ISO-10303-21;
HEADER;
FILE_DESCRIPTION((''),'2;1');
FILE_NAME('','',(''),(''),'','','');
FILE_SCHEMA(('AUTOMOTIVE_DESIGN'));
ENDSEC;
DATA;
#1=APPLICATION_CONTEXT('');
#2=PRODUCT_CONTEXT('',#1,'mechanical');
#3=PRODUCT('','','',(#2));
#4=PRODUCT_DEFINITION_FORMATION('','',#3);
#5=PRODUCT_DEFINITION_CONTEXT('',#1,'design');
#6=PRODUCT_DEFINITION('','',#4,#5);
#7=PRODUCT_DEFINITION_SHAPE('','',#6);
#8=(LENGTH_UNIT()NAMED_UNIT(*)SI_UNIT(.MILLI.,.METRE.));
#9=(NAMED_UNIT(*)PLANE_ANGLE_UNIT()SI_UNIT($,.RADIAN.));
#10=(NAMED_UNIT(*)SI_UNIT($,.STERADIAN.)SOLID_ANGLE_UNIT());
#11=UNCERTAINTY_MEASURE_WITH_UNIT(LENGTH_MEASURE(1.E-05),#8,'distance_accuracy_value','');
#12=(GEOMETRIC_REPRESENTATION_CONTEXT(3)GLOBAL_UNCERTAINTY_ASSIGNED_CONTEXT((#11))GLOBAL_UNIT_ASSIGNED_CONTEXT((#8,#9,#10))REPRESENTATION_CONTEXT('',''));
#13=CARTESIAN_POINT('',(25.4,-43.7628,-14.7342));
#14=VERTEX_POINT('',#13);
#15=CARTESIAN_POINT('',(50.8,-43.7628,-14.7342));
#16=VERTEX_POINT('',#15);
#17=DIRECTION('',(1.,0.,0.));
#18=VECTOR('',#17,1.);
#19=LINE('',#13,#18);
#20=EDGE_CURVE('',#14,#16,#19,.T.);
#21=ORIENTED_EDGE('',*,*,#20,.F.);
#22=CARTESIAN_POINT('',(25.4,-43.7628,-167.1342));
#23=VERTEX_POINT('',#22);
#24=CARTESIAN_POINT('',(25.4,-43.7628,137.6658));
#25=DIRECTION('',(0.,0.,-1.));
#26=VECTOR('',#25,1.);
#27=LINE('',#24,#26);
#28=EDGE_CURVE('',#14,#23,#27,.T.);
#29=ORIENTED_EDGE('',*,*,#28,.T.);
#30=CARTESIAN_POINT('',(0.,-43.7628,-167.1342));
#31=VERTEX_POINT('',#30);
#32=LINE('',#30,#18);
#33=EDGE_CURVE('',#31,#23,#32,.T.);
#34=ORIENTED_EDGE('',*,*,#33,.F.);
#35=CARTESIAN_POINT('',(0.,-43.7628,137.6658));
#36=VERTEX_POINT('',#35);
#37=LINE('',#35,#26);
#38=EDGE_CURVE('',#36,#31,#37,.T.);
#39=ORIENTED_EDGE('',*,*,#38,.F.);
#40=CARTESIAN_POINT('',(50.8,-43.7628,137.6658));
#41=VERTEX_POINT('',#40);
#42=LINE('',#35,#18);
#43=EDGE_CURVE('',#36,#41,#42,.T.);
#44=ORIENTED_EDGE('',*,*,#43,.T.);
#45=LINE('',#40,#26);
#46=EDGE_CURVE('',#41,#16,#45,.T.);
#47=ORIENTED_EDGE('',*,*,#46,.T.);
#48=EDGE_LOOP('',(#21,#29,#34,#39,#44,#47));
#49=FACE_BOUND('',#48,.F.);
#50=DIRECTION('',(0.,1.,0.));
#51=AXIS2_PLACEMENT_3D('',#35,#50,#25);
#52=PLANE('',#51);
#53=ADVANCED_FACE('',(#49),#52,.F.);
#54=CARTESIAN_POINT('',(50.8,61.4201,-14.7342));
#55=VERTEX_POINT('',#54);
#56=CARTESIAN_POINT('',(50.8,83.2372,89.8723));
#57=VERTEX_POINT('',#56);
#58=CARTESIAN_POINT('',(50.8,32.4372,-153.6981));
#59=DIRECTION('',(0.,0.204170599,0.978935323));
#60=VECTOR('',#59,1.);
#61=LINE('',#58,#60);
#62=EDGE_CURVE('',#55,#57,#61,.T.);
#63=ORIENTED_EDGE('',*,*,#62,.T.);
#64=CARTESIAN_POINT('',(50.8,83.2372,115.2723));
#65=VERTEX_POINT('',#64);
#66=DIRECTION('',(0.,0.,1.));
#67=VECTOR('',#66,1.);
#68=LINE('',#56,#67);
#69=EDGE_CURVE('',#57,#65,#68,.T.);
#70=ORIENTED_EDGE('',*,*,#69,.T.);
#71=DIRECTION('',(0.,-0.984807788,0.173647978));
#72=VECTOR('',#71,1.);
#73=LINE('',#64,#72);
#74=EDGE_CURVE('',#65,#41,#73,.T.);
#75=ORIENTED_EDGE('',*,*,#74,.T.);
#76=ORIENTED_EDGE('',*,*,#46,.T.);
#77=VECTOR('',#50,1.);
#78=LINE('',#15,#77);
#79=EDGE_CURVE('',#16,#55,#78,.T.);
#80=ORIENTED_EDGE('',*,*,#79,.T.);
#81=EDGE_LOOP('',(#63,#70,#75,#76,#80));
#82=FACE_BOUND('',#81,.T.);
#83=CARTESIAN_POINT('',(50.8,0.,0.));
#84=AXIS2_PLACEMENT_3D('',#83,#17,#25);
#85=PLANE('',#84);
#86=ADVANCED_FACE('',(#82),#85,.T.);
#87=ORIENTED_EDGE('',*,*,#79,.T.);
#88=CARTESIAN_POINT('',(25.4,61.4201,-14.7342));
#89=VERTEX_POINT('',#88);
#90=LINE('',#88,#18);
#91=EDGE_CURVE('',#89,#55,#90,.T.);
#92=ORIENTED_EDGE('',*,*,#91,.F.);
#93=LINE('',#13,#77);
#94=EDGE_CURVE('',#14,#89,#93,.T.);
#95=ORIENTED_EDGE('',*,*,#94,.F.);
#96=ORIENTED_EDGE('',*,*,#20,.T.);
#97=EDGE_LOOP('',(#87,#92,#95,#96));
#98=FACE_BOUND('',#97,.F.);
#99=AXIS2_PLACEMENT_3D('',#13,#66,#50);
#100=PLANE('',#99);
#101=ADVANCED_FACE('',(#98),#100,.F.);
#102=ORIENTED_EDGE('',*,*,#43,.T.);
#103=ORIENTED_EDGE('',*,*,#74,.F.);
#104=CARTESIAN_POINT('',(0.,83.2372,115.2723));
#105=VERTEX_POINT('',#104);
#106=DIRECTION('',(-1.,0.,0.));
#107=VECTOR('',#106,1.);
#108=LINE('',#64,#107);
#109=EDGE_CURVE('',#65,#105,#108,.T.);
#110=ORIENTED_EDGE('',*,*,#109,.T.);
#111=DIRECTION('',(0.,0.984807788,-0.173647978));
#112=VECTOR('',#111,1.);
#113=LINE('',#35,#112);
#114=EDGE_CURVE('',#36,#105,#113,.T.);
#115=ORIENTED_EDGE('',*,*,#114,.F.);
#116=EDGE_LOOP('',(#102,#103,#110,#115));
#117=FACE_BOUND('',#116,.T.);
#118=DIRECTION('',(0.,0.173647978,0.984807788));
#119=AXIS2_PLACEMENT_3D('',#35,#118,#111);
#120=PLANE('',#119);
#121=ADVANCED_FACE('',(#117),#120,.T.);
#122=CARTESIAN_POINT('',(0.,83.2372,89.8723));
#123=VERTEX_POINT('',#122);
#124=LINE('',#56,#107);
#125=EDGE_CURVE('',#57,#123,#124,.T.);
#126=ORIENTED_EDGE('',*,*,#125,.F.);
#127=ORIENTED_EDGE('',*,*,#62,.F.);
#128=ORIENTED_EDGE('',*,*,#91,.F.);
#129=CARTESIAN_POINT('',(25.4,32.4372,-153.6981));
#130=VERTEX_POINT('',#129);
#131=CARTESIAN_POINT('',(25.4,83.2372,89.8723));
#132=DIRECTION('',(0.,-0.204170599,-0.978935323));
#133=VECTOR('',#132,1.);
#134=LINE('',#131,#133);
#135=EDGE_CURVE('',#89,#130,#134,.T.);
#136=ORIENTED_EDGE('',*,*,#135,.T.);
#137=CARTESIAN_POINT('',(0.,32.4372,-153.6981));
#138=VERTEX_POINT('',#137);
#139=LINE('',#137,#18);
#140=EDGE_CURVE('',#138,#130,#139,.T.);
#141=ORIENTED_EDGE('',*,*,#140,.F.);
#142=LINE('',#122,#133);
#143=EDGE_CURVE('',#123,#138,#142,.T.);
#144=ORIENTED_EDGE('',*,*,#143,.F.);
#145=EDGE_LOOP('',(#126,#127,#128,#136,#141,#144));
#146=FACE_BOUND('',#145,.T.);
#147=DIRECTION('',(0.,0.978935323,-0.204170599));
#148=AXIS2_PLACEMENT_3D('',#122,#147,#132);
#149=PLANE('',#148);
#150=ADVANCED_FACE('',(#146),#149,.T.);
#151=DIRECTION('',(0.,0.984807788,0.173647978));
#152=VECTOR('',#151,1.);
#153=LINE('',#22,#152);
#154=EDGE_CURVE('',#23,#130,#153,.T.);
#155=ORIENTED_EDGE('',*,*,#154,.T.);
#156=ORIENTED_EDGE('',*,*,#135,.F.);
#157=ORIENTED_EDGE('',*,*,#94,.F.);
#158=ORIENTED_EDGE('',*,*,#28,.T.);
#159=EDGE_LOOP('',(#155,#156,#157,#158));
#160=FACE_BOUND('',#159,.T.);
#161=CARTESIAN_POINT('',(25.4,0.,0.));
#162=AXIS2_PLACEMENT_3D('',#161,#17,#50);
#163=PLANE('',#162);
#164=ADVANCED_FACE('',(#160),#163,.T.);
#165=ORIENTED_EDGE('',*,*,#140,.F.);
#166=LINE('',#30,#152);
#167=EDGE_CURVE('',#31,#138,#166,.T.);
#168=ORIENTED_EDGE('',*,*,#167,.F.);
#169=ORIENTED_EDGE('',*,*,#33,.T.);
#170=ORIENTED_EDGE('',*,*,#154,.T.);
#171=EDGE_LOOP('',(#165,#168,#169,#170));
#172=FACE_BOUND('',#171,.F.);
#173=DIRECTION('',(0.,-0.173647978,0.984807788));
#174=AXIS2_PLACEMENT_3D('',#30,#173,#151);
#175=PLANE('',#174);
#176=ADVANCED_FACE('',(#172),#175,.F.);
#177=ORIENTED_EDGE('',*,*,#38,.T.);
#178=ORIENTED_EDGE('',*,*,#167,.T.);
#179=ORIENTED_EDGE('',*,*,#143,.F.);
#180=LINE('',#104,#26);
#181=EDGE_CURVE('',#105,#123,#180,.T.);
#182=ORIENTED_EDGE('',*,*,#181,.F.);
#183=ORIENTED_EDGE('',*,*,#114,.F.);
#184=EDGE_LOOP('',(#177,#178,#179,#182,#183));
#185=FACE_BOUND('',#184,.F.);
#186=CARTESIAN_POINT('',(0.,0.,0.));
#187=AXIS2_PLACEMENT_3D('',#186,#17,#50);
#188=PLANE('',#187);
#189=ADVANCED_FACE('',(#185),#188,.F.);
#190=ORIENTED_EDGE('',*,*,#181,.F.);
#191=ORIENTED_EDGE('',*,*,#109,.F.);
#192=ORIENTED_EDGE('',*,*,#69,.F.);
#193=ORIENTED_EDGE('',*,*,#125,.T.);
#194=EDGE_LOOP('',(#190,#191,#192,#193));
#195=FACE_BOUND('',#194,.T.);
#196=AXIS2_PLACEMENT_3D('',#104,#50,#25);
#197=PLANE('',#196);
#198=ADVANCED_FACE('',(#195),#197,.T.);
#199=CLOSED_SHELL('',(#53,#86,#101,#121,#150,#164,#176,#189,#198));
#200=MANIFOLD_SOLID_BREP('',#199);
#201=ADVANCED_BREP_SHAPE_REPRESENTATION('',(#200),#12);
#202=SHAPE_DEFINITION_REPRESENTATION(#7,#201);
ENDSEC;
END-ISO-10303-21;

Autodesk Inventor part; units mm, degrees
ref_plane "YZ Plane" through (0, 0, 0) normal (1, 0, 0) x (0, 1, 0)
ref_plane "XZ Plane" through (0, 0, 0) normal (0, 1, 0) x (-1, 0, 0)
ref_plane "XY Plane" through (0, 0, 0) normal (0, 0, 1) x (1, 0, 0)
sketch "Sketch1" plane through (0, 0, 0) normal (1, 0, 0) x (0, 1, 0)
  line L0 (-43.7628, 137.6658) -> (-43.7628, -167.1342)
  line L1 (-43.7628, -167.1342) -> (32.4372, -153.6981)
  line L2 (-43.7628, 137.6658) -> (83.2372, 115.2723)
  line L3 (83.2372, 115.2723) -> (83.2372, 89.8723)
  line L4 (83.2372, 89.8723) -> (32.4372, -153.6981)
  point P0 (0, 0)
  dimension "d0" = 80
  dimension "d1" = 304.8
  dimension "d2" = 76.2
  dimension "d3" = 80
  dimension "d4" = 127
  dimension "d5" = 25.4
extrude "Extrusion1" add sketch "Sketch1" along normal blind 25.4
sketch "Sketch2" plane through (25.4, 0, 0) normal (1, 0, 0) x (0, 0, -1)
  line L0 (-137.6658, -43.7628) -> (14.7342, -43.7628)
  line L1 (-137.6658, -43.7628) -> (167.1342, -43.7628) projected
  line L2 (14.7342, -43.7628) -> (14.7342, 61.4201)
  line L3 (153.6981, 32.4372) -> (-89.8723, 83.2372) projected
  line L4 (-89.8723, 83.2372) -> (-115.2723, 83.2372) projected
  line L5 (-115.2723, 83.2372) -> (-137.6658, -43.7628) projected
  point P0 (0, 0)
  dimension "d8" = 152.4
  dimension "d9" = 0
extrude "Extrusion2" add sketch "Sketch2" along normal blind 25.4
sketch "Sketch3" plane through (50.8, 0, 0) normal (1, 0, 0) x (0, 0, -1)
  line L0 (-89.8723, 83.2372) -> (-115.2723, 83.2372) projected
  line L1 (-137.6658, -43.7628) -> (14.7342, -43.7628) projected
  line L2 (14.7342, -43.7628) -> (14.7342, 61.4201) projected
  line L3 (14.7342, 61.4201) -> (-89.8723, 83.2372) projected
  line L4 (-89.8723, 83.2372) -> (-115.2723, 83.2372) projected
  line L5 (-115.2723, 83.2372) -> (-137.6658, -43.7628) projected
  point P0 (0, 0)
  dimension "d12" = 168.219
equation "\"d2\" = DCDeckHeight"
equation "\"d4\" = DSBackHeight"
equation "\"DSLength\" = 1371.6"
equation "\"DSWidth\" = 304.8"
equation "\"DCDeckHeight\" = 76.2"
equation "\"WallWidth\" = 5.08"
equation "\"EdgeAngle\" = 10deg"
equation "\"LengthCuts\" = 152.4"
equation "\"WidthCuts\" = 50.8"
equation "\"PartLength\" = 228.6"
equation "\"PartWidth\" = 152.4"
equation "\"BoltHoldDiam\" = 6.35"
equation "\"ControlPlateLength\" = 228.6"
equation "\"ControlPlateWidth\" = 228.6"
equation "\"ControlPlateShelfLength\" = 19.05"
equation "\"ControlHoleLength\" = 190.5"
equation "\"ControlHoleWidth\" = 190.5"
equation "\"ControlHoleFromSide\" = 63.5"
equation "\"ControlHoleBoltHoleMid\" = 9.525"
equation "\"CPDeckHeight\" = 71.12"
equation "\"CPFromSide\" = 63.5"
equation "\"CPFromBack\" = 63.5"
equation "\"DU1CHWidth\" = 69.85"
equation "\"DU1CHLength\" = 146.05"
equation "\"ControlPlateScrewLength\" = 76.2"
equation "\"DSBackHeight\" = 127"
equation "\"BackShelf\" = 25.4"
equation "\"MainAngle\" = 168.22deg"
equation "\"CPDWidthHole\" = 120.65"
equation "\"CPDLengthHole\" = 146.05"
equation "\"DownBackHeight\" = 130.7084"
properties part number "SideProfile"
